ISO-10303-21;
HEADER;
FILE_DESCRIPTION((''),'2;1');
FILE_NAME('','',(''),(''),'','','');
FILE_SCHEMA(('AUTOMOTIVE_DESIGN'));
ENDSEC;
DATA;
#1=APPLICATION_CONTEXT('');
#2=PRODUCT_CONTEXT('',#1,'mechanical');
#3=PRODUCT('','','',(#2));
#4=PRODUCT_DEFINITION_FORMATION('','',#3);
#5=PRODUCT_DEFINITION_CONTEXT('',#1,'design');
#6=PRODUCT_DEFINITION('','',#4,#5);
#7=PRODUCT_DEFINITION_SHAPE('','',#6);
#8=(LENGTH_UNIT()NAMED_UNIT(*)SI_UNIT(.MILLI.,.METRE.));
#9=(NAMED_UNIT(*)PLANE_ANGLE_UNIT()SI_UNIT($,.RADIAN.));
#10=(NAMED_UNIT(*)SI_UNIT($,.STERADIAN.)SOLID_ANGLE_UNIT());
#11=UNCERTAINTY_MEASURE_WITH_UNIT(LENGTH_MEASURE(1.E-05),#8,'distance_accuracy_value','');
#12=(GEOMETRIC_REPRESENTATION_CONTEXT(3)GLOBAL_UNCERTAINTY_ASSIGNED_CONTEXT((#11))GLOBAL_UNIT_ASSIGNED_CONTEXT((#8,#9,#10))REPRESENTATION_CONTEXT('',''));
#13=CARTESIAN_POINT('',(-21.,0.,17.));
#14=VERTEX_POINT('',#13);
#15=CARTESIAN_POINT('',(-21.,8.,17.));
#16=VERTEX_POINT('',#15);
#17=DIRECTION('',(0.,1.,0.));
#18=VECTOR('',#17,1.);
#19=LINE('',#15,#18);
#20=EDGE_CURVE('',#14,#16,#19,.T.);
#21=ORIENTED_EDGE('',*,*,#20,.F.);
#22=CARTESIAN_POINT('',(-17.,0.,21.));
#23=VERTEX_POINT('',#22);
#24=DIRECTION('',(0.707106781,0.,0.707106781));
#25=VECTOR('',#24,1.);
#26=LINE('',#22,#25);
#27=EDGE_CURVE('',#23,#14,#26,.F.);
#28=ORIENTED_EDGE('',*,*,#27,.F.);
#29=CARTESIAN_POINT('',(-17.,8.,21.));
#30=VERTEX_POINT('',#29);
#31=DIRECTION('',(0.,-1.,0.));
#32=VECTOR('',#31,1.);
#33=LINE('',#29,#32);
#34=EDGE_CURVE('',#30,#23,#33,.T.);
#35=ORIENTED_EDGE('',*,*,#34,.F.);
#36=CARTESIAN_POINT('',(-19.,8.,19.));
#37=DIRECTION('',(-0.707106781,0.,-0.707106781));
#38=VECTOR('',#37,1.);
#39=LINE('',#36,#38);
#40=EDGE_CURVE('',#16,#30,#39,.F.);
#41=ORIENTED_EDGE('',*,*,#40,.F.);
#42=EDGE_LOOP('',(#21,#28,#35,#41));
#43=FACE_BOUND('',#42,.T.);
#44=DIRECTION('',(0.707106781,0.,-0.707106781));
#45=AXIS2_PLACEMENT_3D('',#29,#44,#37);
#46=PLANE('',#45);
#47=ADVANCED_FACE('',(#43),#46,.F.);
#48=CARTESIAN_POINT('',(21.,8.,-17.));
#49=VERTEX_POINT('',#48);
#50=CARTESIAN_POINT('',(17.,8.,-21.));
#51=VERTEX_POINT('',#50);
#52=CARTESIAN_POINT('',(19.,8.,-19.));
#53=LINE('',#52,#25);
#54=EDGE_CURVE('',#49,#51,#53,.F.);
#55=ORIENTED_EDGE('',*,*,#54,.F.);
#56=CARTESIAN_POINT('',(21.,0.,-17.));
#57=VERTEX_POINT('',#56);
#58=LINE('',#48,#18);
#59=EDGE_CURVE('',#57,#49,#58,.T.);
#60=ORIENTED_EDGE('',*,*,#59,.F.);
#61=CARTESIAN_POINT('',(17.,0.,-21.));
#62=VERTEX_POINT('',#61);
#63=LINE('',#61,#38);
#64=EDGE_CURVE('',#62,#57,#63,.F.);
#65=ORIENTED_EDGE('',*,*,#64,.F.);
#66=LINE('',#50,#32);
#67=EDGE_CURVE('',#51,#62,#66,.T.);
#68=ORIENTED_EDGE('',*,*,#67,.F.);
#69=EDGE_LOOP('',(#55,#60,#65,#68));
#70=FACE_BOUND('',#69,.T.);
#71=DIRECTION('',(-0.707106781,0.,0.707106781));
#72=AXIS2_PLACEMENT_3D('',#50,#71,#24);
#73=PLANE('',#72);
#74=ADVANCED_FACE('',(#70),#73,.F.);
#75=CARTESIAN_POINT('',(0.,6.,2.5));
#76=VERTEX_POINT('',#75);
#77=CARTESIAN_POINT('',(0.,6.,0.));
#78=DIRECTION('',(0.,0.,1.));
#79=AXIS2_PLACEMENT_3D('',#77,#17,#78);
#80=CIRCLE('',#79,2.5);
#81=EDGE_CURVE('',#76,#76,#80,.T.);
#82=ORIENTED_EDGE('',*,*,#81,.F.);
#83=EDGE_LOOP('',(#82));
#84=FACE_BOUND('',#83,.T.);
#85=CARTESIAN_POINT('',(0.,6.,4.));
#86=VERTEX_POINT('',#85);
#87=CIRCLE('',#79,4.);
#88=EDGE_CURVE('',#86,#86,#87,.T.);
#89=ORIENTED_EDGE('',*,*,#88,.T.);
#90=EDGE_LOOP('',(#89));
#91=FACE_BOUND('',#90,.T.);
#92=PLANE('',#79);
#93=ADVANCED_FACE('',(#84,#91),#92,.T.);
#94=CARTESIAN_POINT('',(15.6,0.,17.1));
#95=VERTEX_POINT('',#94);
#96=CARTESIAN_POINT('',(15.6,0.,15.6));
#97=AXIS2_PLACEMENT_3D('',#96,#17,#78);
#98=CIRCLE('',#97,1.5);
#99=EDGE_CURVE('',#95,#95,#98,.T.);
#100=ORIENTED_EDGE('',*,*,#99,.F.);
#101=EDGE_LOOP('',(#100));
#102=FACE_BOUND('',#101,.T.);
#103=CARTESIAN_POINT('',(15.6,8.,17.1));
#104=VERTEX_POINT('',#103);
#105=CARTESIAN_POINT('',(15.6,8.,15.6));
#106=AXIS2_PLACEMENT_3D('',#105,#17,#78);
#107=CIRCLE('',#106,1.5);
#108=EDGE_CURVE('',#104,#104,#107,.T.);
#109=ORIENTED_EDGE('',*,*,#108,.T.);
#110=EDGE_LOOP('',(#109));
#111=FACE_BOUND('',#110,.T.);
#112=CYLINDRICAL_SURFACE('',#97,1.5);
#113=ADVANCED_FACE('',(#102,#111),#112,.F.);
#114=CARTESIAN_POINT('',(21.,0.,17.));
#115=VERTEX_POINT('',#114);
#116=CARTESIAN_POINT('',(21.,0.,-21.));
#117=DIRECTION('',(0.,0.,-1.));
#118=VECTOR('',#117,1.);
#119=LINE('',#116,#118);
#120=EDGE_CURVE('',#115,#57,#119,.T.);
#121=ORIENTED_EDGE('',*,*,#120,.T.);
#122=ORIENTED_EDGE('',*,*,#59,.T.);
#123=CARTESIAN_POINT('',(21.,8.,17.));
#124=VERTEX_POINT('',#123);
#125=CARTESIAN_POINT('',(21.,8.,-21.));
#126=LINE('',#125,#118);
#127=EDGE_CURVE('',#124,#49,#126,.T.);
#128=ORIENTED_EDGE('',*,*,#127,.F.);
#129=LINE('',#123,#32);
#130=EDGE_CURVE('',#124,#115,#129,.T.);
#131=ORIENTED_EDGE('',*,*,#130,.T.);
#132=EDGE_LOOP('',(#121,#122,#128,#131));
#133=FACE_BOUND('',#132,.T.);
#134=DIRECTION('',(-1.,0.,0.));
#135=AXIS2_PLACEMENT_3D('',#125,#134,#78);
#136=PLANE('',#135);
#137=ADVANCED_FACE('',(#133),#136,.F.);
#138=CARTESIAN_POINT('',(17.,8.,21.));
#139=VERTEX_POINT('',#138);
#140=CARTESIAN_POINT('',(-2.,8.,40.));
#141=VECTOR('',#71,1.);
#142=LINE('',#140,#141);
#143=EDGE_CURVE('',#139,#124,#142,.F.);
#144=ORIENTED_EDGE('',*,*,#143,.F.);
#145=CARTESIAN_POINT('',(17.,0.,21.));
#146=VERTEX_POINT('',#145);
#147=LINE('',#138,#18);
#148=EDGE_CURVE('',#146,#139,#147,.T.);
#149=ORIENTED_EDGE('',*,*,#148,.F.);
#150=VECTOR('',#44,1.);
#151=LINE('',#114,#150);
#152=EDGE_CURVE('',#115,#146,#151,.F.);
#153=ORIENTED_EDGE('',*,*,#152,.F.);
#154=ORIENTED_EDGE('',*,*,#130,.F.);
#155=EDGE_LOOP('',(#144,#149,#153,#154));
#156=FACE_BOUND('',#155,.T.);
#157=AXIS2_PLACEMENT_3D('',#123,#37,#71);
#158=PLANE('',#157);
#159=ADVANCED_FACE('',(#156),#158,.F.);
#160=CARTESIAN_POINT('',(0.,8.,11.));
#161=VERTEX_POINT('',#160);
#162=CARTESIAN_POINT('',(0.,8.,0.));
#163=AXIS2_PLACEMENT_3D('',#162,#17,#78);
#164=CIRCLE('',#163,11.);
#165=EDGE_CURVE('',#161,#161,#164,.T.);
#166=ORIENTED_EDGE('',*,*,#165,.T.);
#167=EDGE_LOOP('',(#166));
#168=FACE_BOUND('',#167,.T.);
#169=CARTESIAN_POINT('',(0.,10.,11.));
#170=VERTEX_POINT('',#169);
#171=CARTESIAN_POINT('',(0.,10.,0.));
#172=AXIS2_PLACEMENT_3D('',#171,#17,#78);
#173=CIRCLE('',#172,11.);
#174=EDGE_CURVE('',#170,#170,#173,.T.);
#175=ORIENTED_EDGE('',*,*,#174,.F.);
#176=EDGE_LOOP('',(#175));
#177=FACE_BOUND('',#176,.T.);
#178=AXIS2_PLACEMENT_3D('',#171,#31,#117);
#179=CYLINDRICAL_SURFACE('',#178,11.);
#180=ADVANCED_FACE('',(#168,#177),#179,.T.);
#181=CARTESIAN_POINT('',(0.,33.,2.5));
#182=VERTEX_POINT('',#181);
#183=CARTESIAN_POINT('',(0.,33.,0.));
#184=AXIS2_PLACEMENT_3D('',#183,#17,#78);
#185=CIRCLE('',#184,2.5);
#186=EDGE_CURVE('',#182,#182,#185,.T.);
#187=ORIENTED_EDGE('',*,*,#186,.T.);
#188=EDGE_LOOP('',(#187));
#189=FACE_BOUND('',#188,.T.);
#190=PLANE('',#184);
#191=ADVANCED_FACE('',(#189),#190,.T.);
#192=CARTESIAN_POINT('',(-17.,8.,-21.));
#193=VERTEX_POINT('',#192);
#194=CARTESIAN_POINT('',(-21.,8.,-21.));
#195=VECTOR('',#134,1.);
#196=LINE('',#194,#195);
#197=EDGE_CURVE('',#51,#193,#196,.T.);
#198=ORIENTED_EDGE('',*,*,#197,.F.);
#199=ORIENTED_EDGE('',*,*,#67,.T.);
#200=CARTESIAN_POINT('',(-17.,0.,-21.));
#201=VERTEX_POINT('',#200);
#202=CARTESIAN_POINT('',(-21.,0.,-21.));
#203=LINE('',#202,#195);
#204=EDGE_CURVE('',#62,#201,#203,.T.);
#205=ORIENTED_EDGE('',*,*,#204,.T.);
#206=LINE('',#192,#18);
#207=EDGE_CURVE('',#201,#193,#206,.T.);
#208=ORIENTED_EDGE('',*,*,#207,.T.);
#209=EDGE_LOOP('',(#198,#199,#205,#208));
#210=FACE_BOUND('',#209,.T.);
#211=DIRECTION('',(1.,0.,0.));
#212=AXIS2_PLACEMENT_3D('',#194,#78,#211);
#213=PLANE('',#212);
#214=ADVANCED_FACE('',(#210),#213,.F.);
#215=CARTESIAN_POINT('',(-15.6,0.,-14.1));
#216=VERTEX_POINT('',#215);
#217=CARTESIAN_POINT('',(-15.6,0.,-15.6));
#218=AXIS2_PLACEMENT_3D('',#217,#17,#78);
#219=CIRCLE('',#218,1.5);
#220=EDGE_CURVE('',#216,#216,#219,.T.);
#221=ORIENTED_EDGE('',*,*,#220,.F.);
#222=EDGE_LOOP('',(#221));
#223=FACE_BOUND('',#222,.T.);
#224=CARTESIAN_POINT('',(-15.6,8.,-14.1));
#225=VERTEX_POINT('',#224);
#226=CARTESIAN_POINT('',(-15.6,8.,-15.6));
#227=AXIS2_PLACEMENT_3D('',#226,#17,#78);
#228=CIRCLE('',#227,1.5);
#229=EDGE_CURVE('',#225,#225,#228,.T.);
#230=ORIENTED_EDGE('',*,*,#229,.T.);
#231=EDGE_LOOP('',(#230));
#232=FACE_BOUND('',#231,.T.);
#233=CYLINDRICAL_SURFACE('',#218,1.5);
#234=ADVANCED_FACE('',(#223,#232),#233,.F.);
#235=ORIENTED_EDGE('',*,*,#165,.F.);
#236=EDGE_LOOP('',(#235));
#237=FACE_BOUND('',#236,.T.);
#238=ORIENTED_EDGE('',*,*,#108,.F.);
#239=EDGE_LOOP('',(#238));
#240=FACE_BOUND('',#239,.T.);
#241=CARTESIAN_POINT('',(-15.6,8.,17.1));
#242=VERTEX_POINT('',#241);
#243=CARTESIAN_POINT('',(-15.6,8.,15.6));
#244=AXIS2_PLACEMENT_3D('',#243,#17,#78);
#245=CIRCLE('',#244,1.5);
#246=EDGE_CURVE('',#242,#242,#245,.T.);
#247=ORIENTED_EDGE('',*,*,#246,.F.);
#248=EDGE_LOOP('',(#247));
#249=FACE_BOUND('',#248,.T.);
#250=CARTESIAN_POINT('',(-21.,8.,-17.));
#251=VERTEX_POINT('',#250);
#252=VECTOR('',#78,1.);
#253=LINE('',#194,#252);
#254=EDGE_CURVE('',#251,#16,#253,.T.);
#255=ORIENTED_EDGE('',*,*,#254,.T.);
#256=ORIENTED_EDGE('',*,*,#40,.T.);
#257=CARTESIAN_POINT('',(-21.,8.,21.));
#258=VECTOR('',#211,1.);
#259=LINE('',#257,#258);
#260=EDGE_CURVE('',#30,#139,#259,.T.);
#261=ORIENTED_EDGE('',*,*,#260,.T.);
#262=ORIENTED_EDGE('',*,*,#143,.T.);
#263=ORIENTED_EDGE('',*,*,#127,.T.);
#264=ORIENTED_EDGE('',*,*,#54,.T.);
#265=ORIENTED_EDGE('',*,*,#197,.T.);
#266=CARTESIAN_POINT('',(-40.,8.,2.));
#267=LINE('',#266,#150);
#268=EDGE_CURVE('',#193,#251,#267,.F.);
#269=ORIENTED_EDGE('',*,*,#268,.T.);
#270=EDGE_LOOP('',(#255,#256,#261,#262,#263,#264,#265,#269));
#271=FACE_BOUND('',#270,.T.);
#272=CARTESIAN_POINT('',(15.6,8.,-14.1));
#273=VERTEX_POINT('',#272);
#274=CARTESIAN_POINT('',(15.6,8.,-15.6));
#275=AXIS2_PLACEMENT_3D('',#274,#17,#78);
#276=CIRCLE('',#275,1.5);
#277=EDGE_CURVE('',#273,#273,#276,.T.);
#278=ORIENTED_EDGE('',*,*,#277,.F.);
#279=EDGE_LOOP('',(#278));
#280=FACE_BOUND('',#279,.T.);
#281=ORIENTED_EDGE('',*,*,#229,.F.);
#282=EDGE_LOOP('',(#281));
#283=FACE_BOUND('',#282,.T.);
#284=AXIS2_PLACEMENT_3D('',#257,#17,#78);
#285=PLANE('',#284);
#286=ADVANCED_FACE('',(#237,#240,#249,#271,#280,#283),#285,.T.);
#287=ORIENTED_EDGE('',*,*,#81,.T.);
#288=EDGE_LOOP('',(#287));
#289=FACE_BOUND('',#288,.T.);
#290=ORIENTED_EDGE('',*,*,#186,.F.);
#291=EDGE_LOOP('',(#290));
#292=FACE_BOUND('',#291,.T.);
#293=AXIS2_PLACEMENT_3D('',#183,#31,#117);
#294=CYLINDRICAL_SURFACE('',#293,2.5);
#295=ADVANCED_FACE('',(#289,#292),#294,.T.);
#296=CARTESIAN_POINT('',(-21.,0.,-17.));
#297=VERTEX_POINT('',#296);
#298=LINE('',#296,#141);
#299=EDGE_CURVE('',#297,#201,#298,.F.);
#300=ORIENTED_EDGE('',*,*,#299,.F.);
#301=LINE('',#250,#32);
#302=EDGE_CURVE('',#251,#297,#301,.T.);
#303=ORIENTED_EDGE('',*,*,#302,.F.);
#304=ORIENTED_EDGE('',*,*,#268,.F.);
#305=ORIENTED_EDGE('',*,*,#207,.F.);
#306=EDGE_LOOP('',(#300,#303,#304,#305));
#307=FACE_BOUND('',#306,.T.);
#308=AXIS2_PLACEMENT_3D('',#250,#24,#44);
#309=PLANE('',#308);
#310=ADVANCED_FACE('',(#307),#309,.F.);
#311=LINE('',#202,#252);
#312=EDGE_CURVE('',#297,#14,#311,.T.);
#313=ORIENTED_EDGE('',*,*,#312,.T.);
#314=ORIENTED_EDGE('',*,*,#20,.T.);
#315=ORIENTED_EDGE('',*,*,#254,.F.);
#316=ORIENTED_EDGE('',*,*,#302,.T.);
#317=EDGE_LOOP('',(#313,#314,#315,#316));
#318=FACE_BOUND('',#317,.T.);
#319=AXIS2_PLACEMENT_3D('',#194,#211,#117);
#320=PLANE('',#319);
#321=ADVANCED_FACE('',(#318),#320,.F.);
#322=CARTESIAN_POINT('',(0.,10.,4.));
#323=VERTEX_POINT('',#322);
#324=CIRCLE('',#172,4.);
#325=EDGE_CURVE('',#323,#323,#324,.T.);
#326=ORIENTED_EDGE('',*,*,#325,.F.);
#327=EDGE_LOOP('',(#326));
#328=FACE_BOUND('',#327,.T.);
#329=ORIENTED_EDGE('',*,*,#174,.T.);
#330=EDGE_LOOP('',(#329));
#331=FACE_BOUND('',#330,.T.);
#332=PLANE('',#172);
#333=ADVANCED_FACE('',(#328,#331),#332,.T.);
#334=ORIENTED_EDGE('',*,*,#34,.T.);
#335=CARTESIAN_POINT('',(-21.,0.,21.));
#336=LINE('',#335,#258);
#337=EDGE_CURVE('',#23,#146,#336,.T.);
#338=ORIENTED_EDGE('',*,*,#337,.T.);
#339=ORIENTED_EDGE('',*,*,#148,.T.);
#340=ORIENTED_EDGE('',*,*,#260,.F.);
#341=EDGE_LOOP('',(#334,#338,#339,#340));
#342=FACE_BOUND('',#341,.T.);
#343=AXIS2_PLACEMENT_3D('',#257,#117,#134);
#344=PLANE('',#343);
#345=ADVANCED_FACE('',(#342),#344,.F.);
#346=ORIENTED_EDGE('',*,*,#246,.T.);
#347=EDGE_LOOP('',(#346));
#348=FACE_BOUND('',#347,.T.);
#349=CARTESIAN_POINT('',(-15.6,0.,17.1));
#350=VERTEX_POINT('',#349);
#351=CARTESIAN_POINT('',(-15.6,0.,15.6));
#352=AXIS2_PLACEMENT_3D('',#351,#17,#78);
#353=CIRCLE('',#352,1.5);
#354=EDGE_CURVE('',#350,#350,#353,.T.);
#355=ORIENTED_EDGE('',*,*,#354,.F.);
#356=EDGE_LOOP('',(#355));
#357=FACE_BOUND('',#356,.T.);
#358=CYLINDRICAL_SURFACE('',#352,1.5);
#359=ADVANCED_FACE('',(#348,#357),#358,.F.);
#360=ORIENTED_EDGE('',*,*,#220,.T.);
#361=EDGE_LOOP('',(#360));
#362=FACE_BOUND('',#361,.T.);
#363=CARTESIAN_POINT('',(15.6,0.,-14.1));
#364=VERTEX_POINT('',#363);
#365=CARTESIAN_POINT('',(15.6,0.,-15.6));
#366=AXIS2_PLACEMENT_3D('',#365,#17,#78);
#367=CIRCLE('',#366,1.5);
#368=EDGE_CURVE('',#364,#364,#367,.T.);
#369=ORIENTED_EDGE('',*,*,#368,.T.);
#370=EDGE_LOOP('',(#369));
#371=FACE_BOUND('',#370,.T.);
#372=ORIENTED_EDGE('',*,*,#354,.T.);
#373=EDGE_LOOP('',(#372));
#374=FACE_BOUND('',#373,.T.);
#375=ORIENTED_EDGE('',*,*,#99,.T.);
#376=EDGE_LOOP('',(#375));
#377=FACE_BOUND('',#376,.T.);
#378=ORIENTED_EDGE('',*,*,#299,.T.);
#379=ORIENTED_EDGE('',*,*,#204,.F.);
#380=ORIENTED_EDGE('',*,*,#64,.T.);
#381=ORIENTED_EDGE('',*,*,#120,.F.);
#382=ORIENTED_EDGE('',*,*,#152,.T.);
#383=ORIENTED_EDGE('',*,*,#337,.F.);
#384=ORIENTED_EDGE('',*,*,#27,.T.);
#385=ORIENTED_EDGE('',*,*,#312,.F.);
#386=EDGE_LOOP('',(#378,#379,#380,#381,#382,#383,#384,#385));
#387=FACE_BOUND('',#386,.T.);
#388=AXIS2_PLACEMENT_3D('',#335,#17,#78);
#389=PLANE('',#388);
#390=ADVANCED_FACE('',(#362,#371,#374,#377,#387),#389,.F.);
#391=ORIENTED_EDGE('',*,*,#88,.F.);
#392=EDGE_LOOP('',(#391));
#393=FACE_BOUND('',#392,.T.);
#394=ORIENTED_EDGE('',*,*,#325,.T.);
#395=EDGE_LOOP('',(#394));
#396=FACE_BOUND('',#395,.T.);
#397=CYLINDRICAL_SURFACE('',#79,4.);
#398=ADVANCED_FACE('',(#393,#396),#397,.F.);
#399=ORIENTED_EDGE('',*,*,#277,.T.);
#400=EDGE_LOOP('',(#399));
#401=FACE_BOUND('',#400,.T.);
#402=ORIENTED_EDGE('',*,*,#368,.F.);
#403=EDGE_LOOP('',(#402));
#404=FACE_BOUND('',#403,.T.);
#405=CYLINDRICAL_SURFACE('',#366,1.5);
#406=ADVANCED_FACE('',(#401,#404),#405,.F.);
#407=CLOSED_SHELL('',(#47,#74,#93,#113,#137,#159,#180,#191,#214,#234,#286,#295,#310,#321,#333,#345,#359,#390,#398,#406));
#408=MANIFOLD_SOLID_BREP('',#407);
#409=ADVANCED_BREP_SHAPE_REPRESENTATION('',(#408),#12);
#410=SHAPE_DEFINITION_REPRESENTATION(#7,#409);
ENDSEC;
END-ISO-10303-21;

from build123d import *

# Parameters (mm, degrees)
SKETCH1_W               = 42
SKETCH1_H               = 42
BOSS_EXTRUDE1_DEPTH     = 8
SKETCH2_R               = 11
BOSS_EXTRUDE2_DEPTH     = 2
SKETCH3_R               = 4
CUT_EXTRUDE1_DEPTH      = 4
SKETCH4_R               = 2.5
BOSS_EXTRUDE3_DEPTH     = 27
CHAMFER1_SIZE           = 4
SKETCH5_R               = 1.5
CUT_EXTRUDE2_DEPTH      = 26
CUT_EXTRUDE2_DEPTH_BACK = 9


with BuildPart() as part:
    # Sketch1 → Boss-Extrude1 (new body)
    with BuildSketch(Plane(origin=(0, 0, 0), x_dir=(1, 0, 0), z_dir=(0, 1, 0))):
        Rectangle(SKETCH1_W, SKETCH1_H)
    extrude(amount=BOSS_EXTRUDE1_DEPTH)

    # Sketch2 → Boss-Extrude2 (add)
    with BuildSketch(Plane(origin=(0, 8, 0), x_dir=(-1, 0, 0), z_dir=(0, 1, 0))):
        Circle(SKETCH2_R)
    extrude(amount=BOSS_EXTRUDE2_DEPTH)

    # Sketch3 → Cut-Extrude1 (cut)
    with BuildSketch(Plane(origin=(0, 10, 0), x_dir=(1, 0, 0), z_dir=(0, 1, 0))):
        Circle(SKETCH3_R)
    extrude(amount=-CUT_EXTRUDE1_DEPTH, mode=Mode.SUBTRACT)

    # Sketch4 → Boss-Extrude3 (add)
    with BuildSketch(Plane(origin=(0, 6, 0), x_dir=(1, 0, 0), z_dir=(0, 1, 0))):
        Circle(SKETCH4_R)
    extrude(amount=BOSS_EXTRUDE3_DEPTH)

    # Chamfer1
    chamfer1_edges = [part.edges().sort_by_distance(p)[0] for p in [
        (-21, 4, -21),
        (21, 4, -21),
        (21, 4, 21),
        (-21, 4, 21),
    ]]
    chamfer(chamfer1_edges, length=CHAMFER1_SIZE)

    # Sketch5 → Cut-Extrude2 (cut, two sides)
    with BuildSketch(Plane(origin=(0, 8, 0), x_dir=(1, 0, 0), z_dir=(0, 1, 0))) as cut_extrude2_sk:
        with Locations((-15.6, 15.6)):
            Circle(SKETCH5_R)
        with Locations((15.6, 15.6)):
            Circle(SKETCH5_R)
        with Locations((15.6, -15.6)):
            Circle(SKETCH5_R)
        with Locations((-15.6, -15.6)):
            Circle(SKETCH5_R)
    extrude(amount=CUT_EXTRUDE2_DEPTH, mode=Mode.SUBTRACT)
    extrude(cut_extrude2_sk.sketch, amount=-CUT_EXTRUDE2_DEPTH_BACK, mode=Mode.SUBTRACT)


solid = part.part
